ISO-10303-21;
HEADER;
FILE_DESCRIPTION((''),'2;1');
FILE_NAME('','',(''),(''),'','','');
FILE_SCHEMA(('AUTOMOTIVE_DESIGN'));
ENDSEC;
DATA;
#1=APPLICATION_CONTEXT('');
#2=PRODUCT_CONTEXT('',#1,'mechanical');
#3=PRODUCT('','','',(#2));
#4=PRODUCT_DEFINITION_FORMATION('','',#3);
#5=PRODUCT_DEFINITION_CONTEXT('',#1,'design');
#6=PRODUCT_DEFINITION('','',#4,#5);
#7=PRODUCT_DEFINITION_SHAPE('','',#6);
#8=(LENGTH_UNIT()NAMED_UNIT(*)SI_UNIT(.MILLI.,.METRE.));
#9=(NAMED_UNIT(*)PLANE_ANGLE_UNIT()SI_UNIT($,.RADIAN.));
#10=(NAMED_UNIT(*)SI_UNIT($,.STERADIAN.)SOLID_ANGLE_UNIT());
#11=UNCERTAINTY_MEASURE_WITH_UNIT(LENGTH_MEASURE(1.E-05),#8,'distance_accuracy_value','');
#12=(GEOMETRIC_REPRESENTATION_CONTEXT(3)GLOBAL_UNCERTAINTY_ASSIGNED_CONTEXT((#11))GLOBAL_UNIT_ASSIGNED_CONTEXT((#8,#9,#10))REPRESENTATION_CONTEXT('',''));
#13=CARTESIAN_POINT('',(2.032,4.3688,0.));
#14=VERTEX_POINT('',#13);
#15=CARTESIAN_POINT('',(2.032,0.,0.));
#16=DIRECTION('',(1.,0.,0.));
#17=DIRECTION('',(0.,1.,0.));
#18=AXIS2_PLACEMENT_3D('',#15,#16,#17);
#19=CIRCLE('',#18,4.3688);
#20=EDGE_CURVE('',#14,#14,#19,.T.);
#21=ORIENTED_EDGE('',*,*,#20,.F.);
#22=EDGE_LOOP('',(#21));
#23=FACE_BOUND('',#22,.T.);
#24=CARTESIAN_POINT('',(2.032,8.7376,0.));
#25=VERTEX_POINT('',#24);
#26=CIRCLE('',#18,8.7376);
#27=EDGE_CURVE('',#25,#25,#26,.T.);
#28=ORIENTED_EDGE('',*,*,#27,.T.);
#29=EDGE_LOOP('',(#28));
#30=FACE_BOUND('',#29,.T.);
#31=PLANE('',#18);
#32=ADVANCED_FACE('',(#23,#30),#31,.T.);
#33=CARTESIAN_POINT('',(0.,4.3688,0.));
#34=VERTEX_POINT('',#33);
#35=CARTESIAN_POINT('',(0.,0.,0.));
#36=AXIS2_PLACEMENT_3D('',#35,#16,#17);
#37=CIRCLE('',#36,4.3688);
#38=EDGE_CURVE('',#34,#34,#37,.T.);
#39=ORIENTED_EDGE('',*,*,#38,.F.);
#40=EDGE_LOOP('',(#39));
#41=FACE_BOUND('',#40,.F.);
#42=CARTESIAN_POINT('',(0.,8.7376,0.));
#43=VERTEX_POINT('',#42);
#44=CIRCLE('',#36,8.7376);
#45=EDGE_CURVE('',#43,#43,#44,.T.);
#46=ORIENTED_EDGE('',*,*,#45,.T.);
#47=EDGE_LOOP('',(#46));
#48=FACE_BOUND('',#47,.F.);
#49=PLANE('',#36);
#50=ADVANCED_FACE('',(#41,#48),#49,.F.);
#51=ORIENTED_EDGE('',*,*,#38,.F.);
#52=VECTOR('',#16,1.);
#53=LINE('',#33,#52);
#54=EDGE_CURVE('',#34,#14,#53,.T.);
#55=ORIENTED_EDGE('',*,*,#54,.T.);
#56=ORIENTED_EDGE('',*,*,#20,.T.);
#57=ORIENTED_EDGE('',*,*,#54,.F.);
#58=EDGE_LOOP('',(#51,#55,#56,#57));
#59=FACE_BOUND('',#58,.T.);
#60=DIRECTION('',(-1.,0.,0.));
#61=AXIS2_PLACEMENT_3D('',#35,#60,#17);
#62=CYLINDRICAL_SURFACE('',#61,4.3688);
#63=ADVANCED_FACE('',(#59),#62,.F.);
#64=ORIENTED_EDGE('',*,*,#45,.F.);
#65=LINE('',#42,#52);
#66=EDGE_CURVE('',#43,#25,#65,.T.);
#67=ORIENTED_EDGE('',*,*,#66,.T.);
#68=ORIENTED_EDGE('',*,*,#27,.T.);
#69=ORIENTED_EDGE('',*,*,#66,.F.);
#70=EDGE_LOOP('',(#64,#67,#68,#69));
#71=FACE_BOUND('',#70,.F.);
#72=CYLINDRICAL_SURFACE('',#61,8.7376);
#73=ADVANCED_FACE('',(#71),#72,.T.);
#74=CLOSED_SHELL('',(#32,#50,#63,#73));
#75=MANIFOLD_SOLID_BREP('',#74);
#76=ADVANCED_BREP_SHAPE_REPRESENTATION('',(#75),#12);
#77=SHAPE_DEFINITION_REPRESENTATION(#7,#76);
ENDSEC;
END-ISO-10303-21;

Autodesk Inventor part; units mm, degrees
ref_plane "YZ Plane" through (0, 0, 0) normal (1, 0, 0) x (0, 1, 0)
ref_plane "XZ Plane" through (0, 0, 0) normal (0, 1, 0) x (-1, 0, 0)
sketch "Sketch" plane through (0, 0, 0) normal (1, 0, 0) x (0, 1, 0)
  circle A0 centre (0, 0) radius 8.7376
  circle A1 centre (0, 0) radius 4.3688
  dimension "d0" = 8.7376
  dimension "d1" = 17.4752
extrude "Body" add sketch "Sketch" along normal blind 2.032
ref_plane "Work Plane1" through (0, 0, 0) normal (0, 0, 1) x (1, 0, 0)
equation "\"d0\" = SD1"
equation "\"d1\" = SD2"
equation "\"d2\" = SD"
equation "\"SD1\" = 8.7376"
equation "\"SD2\" = 17.4752"
equation "\"SD\" = 2.032"
equation "\"NND\" = 7.9375"
properties part number "am-1009" material "Steel, Mild"
